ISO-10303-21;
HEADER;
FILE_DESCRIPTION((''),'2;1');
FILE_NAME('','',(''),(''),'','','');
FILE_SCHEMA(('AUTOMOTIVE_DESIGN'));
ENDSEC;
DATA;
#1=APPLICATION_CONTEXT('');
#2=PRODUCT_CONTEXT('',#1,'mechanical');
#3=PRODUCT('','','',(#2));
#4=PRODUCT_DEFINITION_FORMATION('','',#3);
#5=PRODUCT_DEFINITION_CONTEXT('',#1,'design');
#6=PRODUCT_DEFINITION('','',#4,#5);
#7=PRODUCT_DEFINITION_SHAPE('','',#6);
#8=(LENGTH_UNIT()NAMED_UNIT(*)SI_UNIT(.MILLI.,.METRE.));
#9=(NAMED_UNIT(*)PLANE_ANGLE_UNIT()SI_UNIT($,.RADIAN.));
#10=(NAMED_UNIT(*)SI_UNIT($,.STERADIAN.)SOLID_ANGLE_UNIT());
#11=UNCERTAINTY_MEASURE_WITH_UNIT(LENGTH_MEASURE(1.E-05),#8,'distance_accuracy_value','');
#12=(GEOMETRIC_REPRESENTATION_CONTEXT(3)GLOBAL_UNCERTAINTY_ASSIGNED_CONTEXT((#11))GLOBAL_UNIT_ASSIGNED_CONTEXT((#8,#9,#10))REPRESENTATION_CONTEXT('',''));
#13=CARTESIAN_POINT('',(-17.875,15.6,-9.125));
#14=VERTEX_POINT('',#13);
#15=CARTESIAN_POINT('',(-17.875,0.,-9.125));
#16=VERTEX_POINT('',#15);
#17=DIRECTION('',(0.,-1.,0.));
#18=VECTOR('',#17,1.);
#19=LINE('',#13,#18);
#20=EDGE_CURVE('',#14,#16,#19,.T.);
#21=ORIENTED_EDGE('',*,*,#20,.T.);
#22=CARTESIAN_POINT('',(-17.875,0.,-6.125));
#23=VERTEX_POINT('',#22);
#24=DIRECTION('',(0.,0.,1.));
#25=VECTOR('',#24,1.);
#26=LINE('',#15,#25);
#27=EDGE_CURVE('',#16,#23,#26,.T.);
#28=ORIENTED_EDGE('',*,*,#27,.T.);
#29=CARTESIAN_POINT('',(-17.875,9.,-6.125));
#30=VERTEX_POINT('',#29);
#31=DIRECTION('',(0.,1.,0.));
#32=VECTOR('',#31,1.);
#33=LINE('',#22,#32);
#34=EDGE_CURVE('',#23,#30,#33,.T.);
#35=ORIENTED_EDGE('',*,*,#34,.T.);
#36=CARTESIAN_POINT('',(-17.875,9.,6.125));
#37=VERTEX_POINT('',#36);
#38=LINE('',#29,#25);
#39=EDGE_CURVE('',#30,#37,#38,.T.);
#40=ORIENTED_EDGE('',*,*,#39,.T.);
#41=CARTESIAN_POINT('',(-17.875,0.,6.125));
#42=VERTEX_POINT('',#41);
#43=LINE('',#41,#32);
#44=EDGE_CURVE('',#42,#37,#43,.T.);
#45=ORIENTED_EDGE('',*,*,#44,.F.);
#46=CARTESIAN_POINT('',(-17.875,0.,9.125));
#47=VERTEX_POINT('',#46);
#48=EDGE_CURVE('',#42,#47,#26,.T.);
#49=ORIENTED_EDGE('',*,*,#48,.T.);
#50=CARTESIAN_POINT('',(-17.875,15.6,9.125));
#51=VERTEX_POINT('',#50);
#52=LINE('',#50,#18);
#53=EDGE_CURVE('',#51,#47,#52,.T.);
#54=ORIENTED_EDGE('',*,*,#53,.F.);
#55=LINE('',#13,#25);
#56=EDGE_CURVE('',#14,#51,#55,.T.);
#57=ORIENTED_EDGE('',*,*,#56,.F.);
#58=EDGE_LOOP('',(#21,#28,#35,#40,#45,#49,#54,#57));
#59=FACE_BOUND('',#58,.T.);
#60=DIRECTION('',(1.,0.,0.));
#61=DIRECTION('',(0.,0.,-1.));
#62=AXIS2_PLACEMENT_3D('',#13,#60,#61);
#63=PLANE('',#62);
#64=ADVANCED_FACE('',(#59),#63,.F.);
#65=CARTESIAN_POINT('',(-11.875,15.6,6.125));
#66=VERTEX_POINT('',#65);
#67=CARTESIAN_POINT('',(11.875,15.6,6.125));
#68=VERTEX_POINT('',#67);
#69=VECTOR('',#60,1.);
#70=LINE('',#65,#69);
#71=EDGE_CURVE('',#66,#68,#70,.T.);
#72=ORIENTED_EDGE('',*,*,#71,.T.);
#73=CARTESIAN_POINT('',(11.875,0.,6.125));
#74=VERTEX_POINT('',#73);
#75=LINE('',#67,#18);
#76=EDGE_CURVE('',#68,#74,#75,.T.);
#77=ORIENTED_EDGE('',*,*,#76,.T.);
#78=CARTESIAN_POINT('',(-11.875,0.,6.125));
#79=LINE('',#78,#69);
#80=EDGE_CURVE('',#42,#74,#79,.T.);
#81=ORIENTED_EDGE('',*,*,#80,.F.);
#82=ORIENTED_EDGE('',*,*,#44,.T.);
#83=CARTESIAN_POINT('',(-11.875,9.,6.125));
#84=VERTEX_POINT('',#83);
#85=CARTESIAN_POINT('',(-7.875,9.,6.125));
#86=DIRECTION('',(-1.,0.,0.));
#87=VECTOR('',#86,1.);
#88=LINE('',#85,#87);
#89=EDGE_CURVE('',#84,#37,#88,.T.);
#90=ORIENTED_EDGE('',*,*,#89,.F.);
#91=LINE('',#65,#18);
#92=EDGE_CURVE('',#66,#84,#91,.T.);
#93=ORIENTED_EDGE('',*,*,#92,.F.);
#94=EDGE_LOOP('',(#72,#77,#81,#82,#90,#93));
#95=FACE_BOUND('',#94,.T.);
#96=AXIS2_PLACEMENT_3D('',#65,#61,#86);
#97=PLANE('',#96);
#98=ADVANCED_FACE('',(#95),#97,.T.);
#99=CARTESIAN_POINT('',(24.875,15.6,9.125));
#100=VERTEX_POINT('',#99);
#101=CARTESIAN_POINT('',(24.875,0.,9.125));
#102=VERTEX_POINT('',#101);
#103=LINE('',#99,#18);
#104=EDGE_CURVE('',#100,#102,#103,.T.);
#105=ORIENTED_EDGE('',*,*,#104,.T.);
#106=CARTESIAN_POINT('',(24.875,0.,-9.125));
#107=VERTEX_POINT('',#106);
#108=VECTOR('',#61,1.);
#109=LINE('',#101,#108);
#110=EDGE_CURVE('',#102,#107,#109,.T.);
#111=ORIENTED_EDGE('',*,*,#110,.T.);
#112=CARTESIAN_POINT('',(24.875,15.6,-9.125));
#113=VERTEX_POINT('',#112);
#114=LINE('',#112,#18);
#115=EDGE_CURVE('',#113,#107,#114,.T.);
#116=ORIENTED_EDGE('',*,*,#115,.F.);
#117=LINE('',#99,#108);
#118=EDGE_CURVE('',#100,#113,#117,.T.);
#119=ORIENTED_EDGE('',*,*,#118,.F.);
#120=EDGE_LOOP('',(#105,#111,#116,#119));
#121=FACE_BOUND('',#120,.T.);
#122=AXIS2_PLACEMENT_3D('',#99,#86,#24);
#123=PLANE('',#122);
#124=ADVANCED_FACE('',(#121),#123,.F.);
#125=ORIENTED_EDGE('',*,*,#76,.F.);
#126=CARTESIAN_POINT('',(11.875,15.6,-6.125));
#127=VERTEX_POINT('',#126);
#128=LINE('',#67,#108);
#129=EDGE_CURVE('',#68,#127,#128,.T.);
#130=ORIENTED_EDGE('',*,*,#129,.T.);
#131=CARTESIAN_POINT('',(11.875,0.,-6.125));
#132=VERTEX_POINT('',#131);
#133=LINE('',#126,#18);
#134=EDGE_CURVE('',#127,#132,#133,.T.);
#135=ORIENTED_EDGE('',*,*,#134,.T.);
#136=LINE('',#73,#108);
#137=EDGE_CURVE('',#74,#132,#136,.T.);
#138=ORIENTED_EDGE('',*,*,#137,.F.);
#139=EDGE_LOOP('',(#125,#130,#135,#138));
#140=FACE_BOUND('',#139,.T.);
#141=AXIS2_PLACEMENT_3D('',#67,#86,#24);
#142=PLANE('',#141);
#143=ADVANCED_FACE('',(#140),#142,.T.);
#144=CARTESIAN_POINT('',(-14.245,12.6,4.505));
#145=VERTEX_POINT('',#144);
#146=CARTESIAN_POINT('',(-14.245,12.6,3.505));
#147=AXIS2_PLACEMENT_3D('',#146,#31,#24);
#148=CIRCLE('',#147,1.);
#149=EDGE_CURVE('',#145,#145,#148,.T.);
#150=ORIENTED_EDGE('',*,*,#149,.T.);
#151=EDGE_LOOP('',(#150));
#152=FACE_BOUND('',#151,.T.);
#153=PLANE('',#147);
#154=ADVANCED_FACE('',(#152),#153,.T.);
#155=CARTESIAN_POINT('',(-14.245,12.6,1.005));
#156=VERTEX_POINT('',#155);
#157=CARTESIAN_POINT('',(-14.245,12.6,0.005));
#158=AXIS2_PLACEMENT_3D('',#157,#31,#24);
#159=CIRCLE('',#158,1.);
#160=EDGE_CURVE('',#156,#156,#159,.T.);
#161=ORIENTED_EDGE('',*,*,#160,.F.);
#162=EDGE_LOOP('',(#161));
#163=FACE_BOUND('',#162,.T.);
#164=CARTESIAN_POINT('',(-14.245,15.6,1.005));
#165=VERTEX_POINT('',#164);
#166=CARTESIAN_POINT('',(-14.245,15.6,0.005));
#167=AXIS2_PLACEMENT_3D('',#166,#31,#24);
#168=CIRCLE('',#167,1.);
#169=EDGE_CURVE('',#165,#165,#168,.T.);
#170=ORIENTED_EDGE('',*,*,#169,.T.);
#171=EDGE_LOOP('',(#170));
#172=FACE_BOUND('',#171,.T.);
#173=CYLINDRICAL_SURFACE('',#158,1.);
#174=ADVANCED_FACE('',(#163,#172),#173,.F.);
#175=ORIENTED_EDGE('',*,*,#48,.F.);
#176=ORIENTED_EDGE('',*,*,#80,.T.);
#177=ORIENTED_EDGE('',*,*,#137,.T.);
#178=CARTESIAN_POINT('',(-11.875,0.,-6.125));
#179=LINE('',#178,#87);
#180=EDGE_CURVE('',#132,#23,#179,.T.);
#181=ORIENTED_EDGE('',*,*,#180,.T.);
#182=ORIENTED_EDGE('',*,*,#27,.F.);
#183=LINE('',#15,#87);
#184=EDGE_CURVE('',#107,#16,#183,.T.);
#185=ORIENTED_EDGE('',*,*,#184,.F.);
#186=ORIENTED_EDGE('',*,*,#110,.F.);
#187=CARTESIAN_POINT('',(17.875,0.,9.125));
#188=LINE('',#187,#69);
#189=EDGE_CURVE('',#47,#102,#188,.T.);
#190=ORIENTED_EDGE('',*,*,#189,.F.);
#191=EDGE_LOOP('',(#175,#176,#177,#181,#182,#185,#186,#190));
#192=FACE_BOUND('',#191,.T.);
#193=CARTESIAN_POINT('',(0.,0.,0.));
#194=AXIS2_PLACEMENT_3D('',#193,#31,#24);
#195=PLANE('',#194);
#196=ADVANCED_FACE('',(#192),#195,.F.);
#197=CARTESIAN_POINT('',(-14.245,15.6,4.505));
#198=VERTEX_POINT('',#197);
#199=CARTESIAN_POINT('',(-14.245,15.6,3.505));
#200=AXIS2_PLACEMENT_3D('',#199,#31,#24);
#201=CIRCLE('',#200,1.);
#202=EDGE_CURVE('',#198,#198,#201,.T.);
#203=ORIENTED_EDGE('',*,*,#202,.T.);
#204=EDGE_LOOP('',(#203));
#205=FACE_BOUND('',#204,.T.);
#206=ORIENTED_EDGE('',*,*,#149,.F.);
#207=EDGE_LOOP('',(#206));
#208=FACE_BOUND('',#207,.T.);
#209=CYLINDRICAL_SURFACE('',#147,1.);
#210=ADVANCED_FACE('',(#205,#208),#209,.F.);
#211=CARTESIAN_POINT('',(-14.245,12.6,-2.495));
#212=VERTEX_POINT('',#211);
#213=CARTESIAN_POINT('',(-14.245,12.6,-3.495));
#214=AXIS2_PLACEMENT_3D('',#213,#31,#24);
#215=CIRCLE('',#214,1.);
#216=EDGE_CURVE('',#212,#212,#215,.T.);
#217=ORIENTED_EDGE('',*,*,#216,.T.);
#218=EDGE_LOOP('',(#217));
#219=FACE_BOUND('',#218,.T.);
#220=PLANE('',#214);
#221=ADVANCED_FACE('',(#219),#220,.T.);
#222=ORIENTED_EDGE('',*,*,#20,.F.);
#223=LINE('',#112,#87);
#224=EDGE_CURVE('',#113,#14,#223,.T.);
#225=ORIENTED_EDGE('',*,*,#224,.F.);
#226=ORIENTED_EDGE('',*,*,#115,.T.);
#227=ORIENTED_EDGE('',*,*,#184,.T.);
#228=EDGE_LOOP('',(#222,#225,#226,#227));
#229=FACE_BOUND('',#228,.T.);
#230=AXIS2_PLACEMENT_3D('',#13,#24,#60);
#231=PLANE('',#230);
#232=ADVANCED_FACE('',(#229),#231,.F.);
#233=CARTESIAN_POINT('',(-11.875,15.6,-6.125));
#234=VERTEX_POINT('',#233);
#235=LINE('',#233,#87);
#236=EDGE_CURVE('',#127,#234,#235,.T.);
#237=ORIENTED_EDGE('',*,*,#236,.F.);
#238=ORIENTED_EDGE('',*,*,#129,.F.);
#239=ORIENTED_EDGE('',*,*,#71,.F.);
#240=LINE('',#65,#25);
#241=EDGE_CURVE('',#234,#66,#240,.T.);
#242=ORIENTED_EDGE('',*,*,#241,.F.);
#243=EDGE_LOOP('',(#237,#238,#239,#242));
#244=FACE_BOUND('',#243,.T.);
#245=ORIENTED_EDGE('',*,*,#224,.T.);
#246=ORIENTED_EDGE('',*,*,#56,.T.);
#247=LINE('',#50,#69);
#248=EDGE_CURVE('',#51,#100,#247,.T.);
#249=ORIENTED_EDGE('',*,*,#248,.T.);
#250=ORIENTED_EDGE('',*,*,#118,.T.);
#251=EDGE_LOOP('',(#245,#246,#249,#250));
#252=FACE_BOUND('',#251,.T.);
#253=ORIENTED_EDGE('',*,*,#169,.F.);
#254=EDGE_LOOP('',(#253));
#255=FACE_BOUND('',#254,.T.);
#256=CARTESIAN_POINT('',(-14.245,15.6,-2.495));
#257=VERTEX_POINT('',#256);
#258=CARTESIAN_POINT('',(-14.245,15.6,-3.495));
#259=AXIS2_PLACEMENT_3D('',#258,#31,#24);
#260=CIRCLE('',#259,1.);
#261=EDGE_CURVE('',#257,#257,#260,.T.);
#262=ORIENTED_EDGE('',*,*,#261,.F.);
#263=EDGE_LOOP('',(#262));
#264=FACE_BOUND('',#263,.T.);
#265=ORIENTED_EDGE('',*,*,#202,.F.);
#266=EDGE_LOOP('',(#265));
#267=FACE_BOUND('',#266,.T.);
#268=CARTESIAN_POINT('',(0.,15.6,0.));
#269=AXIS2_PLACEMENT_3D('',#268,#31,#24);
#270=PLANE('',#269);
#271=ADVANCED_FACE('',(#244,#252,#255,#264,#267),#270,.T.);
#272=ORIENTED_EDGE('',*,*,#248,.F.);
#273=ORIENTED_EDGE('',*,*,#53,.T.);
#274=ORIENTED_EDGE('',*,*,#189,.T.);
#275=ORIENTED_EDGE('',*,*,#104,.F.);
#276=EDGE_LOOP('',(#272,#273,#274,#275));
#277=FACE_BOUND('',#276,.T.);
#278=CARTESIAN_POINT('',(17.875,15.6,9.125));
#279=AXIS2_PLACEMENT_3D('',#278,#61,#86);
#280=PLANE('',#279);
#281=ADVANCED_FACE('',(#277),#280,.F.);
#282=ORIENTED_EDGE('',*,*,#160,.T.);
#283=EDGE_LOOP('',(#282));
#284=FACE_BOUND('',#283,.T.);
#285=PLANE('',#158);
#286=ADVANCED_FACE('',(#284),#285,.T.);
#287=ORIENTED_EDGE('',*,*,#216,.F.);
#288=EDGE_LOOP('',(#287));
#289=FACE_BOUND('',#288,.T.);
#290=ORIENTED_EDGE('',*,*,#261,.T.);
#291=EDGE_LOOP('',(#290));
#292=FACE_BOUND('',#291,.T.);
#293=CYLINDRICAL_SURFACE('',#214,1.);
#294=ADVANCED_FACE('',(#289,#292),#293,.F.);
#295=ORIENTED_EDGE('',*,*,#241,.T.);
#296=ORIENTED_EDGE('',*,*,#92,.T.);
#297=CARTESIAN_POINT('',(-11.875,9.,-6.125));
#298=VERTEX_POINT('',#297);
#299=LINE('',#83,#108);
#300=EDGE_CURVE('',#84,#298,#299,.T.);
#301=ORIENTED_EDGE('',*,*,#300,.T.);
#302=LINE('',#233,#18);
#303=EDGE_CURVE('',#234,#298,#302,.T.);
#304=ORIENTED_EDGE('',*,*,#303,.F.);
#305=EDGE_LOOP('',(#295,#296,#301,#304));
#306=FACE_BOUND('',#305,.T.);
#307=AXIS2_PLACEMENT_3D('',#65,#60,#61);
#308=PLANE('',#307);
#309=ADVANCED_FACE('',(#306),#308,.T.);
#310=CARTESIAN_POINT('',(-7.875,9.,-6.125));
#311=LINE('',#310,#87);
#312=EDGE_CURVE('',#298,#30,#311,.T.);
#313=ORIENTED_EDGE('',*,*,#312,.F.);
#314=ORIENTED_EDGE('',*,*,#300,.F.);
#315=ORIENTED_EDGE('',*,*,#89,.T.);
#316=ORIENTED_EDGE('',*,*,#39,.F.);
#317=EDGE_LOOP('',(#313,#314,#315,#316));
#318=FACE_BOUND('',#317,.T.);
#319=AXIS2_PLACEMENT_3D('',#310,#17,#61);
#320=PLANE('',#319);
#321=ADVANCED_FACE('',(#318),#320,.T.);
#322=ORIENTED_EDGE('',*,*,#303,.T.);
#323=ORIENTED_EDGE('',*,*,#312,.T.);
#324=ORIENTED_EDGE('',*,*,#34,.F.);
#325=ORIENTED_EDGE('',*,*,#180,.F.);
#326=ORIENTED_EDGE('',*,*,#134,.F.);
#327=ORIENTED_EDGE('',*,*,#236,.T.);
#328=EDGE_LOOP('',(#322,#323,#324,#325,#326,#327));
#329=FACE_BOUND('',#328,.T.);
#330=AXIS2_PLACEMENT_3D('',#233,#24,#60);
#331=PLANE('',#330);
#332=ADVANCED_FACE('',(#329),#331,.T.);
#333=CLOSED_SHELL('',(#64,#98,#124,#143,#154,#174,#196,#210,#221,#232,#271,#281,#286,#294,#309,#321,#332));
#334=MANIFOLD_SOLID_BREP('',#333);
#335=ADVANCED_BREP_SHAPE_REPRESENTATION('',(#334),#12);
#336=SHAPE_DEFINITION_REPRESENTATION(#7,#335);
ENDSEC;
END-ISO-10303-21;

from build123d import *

# Parameters (mm, degrees)
SKETCH1_W           = 23.75
SKETCH1_H           = 12.25
BOSS_EXTRUDE1_DEPTH = 15.6
SKETCH2_W           = 12.25
SKETCH2_H           = 9
CUT_EXTRUDE1_DEPTH  = 10
SKETCH3_R           = 1
CUT_EXTRUDE2_DEPTH  = 3


with BuildPart() as part:
    # Sketch1 → Boss-Extrude1 (new body)
    with BuildSketch(Plane(origin=(0, 0, 0), x_dir=(1, 0, 0), z_dir=(0, 1, 0))):
        Polygon((17.875, -9.125), (24.875, -9.125), (24.875, 9.125), (17.875, 9.125), (-17.875, 9.125), (-17.875, -9.125), align=None)
        Rectangle(SKETCH1_W, SKETCH1_H, mode=Mode.SUBTRACT)
    extrude(amount=BOSS_EXTRUDE1_DEPTH)

    # Sketch2 → Cut-Extrude1 (cut)
    with BuildSketch(Plane.ZY.offset(17.875)):
        with Locations((0, 4.5)):
            Rectangle(SKETCH2_W, SKETCH2_H)
    extrude(amount=-CUT_EXTRUDE1_DEPTH, mode=Mode.SUBTRACT)

    # Sketch3 → Cut-Extrude2 (cut)
    with BuildSketch(Plane(origin=(0, 15.6, 0), x_dir=(1, 0, 0), z_dir=(0, 1, 0))):
        with Locations(Location((-14.245, 3.495, 0), (0, 0, 270))):
            Circle(SKETCH3_R)
        with Locations(Location((-14.245, -0.005, 0), (0, 0, 270))):
            Circle(SKETCH3_R)
        with Locations(Location((-14.245, -3.505, 0), (0, 0, 270))):
            Circle(SKETCH3_R)
    extrude(amount=-CUT_EXTRUDE2_DEPTH, mode=Mode.SUBTRACT)


solid = part.part
